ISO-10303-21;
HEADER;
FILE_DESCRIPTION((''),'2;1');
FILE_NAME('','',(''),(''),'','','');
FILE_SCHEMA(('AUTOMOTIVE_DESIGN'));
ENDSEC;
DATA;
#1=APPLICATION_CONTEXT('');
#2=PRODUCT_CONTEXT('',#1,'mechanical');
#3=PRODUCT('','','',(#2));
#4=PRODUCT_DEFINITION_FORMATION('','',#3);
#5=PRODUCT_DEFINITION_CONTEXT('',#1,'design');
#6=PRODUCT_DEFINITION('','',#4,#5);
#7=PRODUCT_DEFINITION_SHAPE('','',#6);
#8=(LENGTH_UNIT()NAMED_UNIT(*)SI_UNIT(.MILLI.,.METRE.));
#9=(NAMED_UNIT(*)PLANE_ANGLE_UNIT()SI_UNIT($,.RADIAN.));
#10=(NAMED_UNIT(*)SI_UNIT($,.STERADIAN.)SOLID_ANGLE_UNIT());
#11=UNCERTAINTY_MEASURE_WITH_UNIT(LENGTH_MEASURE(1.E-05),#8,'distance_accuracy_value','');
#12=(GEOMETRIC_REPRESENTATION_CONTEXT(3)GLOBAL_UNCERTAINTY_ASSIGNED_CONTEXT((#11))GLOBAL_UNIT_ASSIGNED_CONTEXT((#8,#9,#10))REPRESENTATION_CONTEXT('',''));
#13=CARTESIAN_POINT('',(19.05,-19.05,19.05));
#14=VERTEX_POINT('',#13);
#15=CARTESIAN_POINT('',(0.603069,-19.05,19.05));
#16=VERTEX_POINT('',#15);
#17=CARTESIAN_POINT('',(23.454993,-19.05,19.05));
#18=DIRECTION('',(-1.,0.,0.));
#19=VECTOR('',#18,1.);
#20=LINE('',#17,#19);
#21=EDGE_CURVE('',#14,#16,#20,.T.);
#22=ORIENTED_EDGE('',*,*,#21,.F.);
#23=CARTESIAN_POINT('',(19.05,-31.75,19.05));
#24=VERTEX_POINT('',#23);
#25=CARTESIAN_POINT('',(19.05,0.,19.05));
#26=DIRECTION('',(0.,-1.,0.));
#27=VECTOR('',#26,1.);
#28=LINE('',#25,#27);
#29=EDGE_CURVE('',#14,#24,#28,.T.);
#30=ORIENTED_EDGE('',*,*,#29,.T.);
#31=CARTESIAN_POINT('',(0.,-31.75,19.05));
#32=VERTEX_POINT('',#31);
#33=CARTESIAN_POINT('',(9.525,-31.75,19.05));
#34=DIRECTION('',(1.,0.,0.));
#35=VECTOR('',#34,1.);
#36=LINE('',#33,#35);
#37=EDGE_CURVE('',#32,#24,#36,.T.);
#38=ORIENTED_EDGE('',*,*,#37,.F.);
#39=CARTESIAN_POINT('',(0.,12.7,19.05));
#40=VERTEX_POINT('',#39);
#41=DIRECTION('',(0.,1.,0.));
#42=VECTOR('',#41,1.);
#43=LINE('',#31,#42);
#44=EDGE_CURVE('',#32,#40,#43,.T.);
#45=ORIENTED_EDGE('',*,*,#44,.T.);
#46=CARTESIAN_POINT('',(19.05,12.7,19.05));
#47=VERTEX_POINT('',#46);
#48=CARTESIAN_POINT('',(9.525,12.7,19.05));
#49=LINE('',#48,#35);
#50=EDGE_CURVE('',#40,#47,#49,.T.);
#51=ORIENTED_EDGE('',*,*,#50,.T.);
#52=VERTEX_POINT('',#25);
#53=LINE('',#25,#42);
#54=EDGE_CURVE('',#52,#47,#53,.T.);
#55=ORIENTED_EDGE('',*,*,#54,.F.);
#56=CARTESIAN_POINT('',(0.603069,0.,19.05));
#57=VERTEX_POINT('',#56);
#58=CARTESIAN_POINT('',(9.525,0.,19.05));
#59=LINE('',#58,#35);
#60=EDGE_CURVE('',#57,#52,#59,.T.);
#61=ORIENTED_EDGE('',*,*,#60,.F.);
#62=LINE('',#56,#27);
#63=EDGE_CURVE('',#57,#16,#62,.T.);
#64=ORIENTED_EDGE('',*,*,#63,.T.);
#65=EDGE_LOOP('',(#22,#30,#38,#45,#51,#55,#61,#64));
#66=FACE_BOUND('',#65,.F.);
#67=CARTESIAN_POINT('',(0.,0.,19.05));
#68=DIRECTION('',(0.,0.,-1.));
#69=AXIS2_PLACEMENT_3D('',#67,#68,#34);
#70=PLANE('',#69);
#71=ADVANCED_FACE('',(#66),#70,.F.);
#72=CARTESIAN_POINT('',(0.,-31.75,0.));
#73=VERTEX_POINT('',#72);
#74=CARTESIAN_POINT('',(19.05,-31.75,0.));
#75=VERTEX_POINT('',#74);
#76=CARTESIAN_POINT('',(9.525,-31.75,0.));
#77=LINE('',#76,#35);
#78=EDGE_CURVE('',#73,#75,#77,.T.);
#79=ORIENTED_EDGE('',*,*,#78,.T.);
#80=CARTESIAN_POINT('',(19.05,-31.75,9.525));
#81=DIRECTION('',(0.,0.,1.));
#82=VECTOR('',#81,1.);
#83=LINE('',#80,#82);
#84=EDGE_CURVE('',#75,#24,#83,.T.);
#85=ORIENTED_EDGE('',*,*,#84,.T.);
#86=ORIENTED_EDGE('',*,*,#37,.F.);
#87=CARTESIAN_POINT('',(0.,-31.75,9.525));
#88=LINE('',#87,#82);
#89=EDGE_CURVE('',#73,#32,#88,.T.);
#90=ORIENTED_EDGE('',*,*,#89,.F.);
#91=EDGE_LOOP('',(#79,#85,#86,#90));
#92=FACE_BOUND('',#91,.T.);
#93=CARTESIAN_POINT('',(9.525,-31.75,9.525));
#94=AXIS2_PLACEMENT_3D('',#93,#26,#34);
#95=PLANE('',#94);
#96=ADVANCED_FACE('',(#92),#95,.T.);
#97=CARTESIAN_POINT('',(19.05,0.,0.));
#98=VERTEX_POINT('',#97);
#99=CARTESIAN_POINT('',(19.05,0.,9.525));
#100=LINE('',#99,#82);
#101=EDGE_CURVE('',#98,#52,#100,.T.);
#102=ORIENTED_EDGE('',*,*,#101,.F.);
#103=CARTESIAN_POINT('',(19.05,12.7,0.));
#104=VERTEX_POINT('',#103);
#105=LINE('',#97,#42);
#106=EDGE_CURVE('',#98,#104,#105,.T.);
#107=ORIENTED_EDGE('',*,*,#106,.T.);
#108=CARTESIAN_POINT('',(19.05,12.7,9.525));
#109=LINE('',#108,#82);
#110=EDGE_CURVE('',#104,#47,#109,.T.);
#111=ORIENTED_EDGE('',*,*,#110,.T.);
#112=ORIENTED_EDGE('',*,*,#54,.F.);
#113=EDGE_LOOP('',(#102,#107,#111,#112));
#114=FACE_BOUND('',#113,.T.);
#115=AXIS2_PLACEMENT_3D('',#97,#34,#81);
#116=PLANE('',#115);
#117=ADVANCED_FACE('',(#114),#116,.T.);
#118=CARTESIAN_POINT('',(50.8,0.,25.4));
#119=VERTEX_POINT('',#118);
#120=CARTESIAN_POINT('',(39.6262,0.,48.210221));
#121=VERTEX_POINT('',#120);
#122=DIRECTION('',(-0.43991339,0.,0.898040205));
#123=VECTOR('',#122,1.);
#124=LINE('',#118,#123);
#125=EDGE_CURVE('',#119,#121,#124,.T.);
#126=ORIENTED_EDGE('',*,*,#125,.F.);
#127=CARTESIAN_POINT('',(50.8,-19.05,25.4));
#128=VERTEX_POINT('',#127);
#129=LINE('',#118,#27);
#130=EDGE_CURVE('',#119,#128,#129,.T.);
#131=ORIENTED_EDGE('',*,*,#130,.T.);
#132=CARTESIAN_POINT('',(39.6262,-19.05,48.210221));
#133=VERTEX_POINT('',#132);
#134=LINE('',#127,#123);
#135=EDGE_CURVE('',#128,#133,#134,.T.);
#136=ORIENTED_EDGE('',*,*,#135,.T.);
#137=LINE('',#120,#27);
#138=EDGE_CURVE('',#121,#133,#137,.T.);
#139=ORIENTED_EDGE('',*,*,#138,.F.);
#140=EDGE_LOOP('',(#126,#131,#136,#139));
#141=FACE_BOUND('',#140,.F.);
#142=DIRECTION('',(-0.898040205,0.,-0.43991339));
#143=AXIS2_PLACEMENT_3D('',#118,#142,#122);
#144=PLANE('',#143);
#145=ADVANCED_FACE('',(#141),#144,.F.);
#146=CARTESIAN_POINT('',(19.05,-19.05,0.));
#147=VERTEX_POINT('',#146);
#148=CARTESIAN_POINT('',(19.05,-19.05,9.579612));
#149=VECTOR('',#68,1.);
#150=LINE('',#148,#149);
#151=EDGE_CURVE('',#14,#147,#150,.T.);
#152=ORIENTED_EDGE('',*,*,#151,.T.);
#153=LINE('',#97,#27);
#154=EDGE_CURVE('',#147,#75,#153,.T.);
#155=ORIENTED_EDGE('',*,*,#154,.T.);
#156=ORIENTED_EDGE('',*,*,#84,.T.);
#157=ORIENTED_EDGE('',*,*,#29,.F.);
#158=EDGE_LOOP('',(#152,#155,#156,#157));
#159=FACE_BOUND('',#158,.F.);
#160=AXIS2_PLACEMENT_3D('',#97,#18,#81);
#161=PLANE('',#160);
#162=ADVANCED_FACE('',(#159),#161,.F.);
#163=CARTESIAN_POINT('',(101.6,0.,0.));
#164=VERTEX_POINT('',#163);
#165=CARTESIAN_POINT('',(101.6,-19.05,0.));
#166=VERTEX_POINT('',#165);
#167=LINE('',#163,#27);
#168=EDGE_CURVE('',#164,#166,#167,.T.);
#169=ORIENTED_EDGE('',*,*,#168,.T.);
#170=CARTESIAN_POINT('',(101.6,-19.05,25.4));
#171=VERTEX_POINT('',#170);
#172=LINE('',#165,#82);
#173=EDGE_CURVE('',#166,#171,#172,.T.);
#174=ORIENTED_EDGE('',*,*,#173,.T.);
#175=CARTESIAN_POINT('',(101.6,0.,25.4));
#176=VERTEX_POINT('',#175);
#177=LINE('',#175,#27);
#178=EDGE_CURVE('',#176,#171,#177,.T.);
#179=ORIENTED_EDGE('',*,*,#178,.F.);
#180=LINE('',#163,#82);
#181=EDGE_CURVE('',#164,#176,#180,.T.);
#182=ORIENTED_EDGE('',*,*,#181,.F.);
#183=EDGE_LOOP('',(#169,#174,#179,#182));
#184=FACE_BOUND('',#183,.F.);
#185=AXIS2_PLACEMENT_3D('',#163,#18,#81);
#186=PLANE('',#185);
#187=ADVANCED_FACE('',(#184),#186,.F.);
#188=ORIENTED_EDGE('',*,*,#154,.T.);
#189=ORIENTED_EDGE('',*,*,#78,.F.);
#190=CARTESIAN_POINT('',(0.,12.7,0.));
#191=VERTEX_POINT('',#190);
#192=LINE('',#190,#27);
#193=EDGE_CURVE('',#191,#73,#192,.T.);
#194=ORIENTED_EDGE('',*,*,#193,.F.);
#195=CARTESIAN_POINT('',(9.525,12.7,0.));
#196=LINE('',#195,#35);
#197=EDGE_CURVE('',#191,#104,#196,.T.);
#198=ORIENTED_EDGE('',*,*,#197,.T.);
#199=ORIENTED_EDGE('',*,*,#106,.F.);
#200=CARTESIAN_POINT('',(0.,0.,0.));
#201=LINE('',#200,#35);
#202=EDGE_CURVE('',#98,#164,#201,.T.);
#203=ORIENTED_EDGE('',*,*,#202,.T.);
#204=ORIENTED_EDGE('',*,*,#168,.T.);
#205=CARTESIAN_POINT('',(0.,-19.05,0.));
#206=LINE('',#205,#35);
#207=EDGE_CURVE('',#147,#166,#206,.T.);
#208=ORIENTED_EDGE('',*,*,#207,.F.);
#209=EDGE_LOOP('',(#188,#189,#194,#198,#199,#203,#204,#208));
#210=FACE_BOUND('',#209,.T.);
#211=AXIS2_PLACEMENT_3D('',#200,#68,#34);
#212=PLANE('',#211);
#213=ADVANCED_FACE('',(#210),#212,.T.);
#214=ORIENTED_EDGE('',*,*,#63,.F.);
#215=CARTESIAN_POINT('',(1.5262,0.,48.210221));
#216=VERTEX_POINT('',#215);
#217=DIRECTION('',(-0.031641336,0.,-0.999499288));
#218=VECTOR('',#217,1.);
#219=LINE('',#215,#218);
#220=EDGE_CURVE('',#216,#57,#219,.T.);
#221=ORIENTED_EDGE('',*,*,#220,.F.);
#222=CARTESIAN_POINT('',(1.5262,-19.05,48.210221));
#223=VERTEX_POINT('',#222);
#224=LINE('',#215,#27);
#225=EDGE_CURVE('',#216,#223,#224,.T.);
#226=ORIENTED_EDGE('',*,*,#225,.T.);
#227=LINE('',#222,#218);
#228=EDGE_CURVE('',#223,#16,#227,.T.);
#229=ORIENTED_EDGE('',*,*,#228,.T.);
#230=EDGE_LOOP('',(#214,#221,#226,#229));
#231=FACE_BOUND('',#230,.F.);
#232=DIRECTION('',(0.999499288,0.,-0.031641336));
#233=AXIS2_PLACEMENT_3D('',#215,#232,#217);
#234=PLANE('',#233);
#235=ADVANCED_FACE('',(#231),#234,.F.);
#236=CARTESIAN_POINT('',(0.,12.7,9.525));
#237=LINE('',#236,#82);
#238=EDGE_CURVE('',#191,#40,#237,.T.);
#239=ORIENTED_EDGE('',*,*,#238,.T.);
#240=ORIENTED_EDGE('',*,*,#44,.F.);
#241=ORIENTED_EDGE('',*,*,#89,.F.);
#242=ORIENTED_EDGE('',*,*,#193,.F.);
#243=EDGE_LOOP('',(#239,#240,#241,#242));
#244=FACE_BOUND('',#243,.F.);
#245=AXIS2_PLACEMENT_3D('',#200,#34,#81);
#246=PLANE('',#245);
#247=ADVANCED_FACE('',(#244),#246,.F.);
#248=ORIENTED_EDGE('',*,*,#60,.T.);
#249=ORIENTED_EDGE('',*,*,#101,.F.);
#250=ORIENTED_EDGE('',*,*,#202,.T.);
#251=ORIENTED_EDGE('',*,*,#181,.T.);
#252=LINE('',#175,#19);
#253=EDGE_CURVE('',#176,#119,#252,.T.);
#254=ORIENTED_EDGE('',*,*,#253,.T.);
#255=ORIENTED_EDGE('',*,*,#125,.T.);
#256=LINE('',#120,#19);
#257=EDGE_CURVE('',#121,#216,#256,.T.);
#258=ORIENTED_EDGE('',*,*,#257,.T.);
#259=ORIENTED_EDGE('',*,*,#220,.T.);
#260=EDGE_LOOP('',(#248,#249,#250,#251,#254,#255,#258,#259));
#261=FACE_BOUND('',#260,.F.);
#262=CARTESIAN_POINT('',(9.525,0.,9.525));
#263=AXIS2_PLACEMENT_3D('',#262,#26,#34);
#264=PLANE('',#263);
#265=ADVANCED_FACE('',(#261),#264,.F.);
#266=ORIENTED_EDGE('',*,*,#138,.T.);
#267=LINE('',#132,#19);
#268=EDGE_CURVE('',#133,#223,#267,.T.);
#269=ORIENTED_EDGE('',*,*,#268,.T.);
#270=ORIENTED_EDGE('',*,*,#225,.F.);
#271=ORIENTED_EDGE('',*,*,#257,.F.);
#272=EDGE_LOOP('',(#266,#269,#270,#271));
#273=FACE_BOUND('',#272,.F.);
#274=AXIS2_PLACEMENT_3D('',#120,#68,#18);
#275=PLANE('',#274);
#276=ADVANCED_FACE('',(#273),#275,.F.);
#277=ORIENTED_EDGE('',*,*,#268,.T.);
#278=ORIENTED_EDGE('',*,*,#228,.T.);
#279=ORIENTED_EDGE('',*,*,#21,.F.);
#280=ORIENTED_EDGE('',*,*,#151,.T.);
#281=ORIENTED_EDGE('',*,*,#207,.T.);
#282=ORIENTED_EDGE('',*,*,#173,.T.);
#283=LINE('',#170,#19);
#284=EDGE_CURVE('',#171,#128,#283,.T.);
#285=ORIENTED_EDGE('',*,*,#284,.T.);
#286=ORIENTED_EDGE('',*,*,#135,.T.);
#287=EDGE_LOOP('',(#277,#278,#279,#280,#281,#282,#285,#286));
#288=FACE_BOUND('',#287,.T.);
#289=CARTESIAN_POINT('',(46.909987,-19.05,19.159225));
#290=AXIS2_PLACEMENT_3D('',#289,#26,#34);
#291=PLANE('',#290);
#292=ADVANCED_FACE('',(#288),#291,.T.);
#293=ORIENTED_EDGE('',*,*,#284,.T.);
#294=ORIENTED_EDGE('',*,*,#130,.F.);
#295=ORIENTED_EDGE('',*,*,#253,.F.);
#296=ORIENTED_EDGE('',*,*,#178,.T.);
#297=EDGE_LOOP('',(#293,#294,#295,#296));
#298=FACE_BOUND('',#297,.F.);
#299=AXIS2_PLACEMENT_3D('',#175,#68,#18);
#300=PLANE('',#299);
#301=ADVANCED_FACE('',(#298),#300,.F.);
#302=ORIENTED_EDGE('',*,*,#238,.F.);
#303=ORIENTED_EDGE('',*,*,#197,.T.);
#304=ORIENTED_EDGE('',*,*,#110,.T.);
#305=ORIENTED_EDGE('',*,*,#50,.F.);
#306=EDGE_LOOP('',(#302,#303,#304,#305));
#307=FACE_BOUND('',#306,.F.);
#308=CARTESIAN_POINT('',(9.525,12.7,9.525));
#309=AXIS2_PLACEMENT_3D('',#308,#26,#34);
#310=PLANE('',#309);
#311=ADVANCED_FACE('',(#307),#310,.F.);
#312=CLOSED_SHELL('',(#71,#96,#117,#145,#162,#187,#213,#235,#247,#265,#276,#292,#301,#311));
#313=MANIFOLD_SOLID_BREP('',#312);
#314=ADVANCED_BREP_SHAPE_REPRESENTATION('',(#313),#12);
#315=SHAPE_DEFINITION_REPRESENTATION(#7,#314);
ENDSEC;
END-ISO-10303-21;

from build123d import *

# Parameters (mm, degrees)
F1_DEPTH      = 19.05
F2_W          = 19.05
F2_H          = 19.05
F3_DEPTH      = 31.75
F3_DEPTH_BACK = 12.7


with BuildPart() as f1:
    # F0 (on Front) → F1 (new body)
    with BuildSketch(Plane.XZ):
        Polygon((1.5262, 48.210221), (0, 0), (101.6, 0), (101.6, 25.4), (53.855859, 25.4), (50.8, 25.4), (39.6262, 48.210221), align=None)
    extrude(amount=F1_DEPTH)

    # F2 (on Front) → F3 (join, two sides)
    with BuildSketch(Plane.XZ) as f3_sk:
        with Locations((9.525, 9.525)):
            Rectangle(F2_W, F2_H)
    extrude(amount=F3_DEPTH)
    extrude(f3_sk.sketch, amount=-F3_DEPTH_BACK)


solid = f1.part
